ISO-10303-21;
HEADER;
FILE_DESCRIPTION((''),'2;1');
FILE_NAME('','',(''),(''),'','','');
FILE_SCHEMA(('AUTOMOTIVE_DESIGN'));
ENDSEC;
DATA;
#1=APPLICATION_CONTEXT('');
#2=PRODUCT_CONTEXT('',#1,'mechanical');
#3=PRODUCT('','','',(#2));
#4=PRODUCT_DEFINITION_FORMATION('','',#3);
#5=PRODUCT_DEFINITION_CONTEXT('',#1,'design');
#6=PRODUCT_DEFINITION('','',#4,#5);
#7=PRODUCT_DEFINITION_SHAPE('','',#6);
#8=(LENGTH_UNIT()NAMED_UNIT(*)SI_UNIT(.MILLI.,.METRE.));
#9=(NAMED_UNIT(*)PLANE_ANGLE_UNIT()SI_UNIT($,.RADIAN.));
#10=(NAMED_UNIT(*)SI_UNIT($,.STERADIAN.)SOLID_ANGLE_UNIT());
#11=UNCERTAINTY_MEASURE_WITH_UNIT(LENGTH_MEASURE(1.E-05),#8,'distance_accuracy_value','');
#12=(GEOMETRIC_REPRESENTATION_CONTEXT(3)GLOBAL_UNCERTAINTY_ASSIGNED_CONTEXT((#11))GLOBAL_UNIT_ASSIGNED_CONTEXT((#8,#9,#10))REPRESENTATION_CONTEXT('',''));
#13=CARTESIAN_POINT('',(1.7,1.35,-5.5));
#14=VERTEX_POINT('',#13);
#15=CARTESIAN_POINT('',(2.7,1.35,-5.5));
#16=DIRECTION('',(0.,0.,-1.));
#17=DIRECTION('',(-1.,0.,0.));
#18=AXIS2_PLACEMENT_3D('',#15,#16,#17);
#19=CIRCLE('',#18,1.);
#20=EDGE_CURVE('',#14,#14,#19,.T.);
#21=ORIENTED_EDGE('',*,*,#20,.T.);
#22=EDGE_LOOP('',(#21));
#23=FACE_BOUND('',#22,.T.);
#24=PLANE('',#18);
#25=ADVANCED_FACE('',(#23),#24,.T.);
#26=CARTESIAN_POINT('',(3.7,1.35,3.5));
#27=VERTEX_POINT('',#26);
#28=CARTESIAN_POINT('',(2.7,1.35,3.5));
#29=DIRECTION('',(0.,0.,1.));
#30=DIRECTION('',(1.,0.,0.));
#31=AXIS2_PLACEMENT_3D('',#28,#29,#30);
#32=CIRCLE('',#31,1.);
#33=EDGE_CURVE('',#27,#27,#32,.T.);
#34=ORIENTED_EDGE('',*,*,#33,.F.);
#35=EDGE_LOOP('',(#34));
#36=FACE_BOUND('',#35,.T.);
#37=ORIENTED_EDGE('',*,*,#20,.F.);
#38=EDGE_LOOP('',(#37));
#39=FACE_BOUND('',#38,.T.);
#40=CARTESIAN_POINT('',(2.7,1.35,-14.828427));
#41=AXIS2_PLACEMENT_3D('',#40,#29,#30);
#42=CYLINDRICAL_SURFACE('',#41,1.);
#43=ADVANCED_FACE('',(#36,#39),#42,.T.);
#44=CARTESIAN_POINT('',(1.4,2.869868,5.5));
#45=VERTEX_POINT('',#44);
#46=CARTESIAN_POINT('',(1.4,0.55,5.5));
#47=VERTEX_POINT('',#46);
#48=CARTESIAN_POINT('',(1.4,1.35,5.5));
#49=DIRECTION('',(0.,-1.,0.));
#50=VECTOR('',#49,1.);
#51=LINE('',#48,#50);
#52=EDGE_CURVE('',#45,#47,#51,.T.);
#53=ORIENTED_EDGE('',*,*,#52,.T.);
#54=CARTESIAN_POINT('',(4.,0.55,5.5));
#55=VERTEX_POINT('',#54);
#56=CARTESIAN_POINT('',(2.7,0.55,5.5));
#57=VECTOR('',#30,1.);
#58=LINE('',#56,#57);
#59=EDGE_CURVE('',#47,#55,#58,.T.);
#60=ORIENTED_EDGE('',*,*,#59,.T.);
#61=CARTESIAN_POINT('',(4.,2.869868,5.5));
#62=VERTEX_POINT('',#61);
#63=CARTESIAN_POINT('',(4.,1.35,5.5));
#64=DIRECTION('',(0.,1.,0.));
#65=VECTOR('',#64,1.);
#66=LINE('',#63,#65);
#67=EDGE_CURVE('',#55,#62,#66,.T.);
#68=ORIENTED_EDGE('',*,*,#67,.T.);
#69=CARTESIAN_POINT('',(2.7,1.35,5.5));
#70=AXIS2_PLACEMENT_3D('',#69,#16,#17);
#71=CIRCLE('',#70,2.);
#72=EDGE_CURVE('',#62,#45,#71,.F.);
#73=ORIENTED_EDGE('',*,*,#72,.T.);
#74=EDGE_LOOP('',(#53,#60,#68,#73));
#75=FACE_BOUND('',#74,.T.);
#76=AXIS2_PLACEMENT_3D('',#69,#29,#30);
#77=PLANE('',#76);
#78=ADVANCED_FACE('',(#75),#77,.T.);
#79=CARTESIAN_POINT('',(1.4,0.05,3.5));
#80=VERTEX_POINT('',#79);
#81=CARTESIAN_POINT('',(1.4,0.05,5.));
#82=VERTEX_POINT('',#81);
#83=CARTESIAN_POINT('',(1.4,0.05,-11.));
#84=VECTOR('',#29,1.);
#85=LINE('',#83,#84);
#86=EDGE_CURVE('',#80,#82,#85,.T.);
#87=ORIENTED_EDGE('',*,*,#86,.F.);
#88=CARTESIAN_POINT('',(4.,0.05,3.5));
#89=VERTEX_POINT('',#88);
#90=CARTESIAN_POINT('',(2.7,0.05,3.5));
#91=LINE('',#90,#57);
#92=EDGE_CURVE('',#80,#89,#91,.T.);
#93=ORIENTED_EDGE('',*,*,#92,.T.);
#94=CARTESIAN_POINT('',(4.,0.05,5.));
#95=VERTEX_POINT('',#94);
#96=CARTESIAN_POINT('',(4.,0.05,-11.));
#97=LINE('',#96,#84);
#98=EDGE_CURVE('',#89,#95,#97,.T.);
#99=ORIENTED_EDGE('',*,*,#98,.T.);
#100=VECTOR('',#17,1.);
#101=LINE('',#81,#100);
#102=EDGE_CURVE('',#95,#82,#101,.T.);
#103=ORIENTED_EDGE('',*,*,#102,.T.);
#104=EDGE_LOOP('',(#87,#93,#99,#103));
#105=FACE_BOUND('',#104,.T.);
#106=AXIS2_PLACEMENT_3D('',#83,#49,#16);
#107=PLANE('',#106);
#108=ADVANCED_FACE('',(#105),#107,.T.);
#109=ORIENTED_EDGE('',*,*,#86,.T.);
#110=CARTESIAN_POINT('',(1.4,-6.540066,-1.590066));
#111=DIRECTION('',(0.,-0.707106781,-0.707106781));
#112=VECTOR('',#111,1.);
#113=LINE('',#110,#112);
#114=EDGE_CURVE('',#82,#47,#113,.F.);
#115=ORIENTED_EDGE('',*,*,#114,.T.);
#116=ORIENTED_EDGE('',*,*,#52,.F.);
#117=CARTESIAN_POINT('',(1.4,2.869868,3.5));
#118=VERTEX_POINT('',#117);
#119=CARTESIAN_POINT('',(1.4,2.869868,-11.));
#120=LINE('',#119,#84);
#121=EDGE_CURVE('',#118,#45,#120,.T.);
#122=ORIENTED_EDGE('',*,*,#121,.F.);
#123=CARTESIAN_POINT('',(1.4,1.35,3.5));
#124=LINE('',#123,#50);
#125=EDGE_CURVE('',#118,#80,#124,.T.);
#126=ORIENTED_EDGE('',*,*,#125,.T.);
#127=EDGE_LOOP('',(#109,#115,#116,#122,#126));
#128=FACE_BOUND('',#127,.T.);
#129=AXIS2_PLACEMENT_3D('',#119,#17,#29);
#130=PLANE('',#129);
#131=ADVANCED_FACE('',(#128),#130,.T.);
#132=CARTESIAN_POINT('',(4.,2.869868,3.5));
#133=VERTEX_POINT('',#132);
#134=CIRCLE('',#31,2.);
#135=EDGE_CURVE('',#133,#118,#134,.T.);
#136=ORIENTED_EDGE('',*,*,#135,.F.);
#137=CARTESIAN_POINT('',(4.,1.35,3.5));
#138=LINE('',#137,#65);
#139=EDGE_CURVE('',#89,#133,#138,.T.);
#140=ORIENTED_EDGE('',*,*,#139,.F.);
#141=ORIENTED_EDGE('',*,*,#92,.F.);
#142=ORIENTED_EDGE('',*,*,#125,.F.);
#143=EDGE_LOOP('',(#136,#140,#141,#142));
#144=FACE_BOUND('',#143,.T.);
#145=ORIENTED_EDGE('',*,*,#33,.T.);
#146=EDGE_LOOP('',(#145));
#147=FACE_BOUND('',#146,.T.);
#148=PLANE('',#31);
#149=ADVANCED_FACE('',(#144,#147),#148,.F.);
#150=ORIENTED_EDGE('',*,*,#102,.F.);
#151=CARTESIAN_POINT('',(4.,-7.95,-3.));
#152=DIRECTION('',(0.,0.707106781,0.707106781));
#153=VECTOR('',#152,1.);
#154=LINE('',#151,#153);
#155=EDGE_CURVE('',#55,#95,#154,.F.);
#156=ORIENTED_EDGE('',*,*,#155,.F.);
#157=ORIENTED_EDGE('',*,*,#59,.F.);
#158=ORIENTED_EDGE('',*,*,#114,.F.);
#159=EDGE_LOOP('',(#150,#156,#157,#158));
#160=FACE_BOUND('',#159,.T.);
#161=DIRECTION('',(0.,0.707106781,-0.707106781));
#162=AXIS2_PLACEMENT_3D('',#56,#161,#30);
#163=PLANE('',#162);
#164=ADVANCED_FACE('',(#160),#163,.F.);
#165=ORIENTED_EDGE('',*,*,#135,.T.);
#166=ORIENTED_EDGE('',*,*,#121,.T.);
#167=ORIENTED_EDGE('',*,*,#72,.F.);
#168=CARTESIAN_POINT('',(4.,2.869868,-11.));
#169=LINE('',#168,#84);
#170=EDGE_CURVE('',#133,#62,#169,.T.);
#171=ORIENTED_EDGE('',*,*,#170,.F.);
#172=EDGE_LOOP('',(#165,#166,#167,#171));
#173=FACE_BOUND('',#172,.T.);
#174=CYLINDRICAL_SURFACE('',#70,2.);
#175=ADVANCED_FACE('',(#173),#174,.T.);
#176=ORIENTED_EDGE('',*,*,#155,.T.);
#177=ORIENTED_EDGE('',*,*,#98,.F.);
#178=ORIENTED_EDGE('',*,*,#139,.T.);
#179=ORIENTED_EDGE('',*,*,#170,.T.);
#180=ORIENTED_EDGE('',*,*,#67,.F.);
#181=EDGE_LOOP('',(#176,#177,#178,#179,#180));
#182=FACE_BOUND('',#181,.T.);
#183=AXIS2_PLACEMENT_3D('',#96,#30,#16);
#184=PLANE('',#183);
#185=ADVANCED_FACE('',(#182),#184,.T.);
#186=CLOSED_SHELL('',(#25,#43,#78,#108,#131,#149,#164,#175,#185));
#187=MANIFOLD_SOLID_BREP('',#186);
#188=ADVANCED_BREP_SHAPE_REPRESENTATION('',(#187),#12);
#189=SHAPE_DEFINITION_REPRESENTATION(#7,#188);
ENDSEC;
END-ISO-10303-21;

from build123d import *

# Parameters (mm, degrees)
ESQUISSE1_R                  = 1
BOSS_EXTRU_1_DEPTH           = 3.5
BOSS_EXTRU_1_DEPTH_BACK      = 11
ESQUISSE2_R                  = 2
BOSS_EXTRU_2_DEPTH           = 2
ESQUISSE3_OUTSIDE_W          = 9.488
ESQUISSE3_OUTSIDE_H          = 9.488
ENL_V_MAT_EXTRU_1_DEPTH      = 1
ENL_V_MAT_EXTRU_1_DEPTH_BACK = 17.5
CHANFREIN1_SIZE              = 0.5
ESQUISSE4_R                  = 1
ENL_V_MAT_EXTRU_2_DEPTH      = 5.5


with BuildPart() as part:
    # Esquisse1 → Boss.-Extru.1 (new body, two sides)
    with BuildSketch(Plane.XY) as boss_extru_1_sk:
        with Locations((2.7, 1.35)):
            Circle(ESQUISSE1_R)
    extrude(amount=BOSS_EXTRU_1_DEPTH)
    extrude(boss_extru_1_sk.sketch, amount=-BOSS_EXTRU_1_DEPTH_BACK)

    # Esquisse2 → Boss.-Extru.2 (add)
    with BuildSketch(Plane.XY.offset(3.5)):
        with Locations((2.7, 1.35)):
            Circle(ESQUISSE2_R)
    extrude(amount=BOSS_EXTRU_2_DEPTH)

    # Esquisse3 outside → Enlèv. mat.-Extru.1 (cut, two sides)
    with BuildSketch(Plane.XY.offset(5.5)) as enl_v_mat_extru_1_sk:
        with Locations((2.7, 1.35)):
            Rectangle(ESQUISSE3_OUTSIDE_W, ESQUISSE3_OUTSIDE_H)
        with BuildLine():
            Line((1.4, 2.869868415), (1.4, 0.05))
            Line((1.4, 0.05), (4, 0.05))
            Line((4, 0.05), (4, 2.869868415))
            ThreePointArc((4, 2.869868415), (2.7, 3.35), (1.4, 2.869868415))
        make_face(mode=Mode.SUBTRACT)
    extrude(amount=ENL_V_MAT_EXTRU_1_DEPTH, mode=Mode.SUBTRACT)
    extrude(enl_v_mat_extru_1_sk.sketch, amount=-ENL_V_MAT_EXTRU_1_DEPTH_BACK, mode=Mode.SUBTRACT)

    # Chanfrein1
    chanfrein1_edges = [part.edges().sort_by_distance(p)[0] for p in [
        (2.7, 0.05, 5.5),
    ]]
    chamfer(chanfrein1_edges, length=CHANFREIN1_SIZE)

    # Esquisse4 → Enlèv. mat.-Extru.2 (cut)
    with BuildSketch(Plane(origin=(0, 0, -11), x_dir=(-1, 0, 0), z_dir=(0, 0, -1))):
        with Locations((-2.7, 1.35)):
            Circle(ESQUISSE4_R)
    extrude(amount=-ENL_V_MAT_EXTRU_2_DEPTH, mode=Mode.SUBTRACT)


solid = part.part
